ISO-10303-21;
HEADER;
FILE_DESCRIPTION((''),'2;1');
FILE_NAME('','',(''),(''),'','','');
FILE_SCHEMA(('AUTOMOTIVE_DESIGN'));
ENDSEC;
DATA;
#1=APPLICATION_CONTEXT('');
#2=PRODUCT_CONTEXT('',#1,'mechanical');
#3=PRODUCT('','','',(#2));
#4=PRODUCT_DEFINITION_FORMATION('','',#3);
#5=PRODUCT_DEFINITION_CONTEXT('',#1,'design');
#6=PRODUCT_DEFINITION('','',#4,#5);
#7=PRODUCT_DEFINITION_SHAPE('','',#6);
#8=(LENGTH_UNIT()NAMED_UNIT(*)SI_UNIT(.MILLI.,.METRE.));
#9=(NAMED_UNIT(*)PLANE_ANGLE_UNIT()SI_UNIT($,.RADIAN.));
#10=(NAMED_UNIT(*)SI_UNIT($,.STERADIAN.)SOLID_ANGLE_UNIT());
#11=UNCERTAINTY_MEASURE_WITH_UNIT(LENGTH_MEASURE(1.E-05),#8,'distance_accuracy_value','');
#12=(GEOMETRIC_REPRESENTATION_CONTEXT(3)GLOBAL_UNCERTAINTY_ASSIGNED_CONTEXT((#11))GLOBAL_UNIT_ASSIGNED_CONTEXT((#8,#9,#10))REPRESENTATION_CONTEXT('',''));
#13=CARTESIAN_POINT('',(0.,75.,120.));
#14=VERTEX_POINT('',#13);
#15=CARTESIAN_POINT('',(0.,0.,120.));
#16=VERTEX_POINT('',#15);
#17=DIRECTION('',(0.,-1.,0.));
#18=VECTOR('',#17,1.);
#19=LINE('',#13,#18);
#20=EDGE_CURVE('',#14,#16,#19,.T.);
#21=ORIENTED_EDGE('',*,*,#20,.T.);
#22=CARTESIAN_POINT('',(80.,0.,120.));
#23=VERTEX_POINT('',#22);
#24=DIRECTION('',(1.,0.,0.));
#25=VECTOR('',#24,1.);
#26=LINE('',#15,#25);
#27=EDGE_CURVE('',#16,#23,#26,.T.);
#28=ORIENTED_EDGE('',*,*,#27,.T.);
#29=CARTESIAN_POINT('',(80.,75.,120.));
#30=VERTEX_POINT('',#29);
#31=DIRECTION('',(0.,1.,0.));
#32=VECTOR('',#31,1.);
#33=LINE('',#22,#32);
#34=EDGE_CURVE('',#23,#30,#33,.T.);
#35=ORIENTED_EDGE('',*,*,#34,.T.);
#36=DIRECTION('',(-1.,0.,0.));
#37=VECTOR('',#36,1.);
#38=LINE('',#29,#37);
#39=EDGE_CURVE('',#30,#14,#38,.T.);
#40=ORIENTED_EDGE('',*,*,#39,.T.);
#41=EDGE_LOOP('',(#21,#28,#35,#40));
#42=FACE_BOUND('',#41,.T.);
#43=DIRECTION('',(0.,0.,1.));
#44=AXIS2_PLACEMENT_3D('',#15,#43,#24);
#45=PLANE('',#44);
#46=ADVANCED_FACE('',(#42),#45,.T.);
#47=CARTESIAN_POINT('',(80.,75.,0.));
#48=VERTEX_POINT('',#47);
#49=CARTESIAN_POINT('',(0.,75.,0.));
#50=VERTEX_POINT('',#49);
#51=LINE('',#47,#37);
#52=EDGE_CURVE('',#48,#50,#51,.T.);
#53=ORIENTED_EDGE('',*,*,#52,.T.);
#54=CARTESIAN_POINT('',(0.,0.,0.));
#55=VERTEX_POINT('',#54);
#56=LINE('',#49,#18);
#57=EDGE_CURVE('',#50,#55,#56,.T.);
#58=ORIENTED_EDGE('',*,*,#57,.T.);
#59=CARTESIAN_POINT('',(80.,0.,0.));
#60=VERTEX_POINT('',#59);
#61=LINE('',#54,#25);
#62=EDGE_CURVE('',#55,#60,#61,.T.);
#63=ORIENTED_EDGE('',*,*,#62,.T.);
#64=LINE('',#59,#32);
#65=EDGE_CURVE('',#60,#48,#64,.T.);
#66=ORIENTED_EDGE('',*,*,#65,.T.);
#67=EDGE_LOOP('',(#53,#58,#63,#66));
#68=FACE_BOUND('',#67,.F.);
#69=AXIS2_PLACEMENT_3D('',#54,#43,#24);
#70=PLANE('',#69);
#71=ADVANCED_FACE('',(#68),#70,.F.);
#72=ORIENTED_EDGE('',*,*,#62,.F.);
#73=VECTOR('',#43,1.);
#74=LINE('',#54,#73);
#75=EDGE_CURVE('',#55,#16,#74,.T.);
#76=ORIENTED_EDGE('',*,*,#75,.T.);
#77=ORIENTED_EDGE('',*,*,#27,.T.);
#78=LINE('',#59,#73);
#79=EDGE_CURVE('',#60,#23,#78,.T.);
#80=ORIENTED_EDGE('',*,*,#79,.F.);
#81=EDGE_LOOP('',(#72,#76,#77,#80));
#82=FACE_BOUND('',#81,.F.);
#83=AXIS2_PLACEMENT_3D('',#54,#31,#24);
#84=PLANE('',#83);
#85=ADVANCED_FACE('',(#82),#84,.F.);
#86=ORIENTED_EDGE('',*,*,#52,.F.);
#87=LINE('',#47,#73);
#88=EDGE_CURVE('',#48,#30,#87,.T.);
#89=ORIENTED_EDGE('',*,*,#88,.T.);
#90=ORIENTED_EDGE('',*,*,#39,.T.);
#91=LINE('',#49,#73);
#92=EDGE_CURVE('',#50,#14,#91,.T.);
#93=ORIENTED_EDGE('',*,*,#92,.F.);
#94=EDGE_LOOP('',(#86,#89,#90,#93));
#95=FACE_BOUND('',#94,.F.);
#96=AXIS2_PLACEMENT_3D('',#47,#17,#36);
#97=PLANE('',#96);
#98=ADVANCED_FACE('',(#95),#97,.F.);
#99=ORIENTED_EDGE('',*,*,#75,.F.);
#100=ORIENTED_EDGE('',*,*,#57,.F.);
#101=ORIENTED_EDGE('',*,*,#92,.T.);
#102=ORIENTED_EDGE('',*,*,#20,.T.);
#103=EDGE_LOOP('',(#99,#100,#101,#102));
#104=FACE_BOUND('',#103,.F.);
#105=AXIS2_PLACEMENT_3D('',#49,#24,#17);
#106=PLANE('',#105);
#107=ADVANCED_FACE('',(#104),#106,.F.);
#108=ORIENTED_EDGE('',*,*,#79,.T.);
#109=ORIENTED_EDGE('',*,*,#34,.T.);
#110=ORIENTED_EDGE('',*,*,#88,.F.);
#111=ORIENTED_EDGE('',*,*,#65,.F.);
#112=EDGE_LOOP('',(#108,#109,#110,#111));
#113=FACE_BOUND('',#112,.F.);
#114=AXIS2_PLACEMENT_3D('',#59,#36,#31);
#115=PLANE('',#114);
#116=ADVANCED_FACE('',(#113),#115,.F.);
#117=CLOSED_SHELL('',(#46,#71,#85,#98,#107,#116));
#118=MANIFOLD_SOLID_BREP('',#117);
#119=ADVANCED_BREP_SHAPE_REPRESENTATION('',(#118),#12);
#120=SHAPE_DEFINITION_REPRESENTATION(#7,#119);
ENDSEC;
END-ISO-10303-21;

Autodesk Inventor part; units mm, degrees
ref_plane "YZ Plane" through (0, 0, 0) normal (1, 0, 0) x (0, 1, 0)
ref_plane "XZ Plane" through (0, 0, 0) normal (0, 1, 0) x (-1, 0, 0)
ref_plane "XY Plane" through (0, 0, 0) normal (0, 0, 1) x (1, 0, 0)
sketch "Sketch1" plane through (0, 0, 0) normal (0, 0, 1) x (1, 0, 0)
  line L0 (0, 0) -> (80, 0)
  line L1 (80, 0) -> (80, 75)
  line L2 (80, 75) -> (0, 75)
  line L3 (0, 75) -> (0, 0)
  dimension "d0" = 80
  dimension "d1" = 75
extrude "Extrusion1" add sketch "Sketch1" along normal blind 120
properties part number "Upper Right Building Block" material "Glass"
